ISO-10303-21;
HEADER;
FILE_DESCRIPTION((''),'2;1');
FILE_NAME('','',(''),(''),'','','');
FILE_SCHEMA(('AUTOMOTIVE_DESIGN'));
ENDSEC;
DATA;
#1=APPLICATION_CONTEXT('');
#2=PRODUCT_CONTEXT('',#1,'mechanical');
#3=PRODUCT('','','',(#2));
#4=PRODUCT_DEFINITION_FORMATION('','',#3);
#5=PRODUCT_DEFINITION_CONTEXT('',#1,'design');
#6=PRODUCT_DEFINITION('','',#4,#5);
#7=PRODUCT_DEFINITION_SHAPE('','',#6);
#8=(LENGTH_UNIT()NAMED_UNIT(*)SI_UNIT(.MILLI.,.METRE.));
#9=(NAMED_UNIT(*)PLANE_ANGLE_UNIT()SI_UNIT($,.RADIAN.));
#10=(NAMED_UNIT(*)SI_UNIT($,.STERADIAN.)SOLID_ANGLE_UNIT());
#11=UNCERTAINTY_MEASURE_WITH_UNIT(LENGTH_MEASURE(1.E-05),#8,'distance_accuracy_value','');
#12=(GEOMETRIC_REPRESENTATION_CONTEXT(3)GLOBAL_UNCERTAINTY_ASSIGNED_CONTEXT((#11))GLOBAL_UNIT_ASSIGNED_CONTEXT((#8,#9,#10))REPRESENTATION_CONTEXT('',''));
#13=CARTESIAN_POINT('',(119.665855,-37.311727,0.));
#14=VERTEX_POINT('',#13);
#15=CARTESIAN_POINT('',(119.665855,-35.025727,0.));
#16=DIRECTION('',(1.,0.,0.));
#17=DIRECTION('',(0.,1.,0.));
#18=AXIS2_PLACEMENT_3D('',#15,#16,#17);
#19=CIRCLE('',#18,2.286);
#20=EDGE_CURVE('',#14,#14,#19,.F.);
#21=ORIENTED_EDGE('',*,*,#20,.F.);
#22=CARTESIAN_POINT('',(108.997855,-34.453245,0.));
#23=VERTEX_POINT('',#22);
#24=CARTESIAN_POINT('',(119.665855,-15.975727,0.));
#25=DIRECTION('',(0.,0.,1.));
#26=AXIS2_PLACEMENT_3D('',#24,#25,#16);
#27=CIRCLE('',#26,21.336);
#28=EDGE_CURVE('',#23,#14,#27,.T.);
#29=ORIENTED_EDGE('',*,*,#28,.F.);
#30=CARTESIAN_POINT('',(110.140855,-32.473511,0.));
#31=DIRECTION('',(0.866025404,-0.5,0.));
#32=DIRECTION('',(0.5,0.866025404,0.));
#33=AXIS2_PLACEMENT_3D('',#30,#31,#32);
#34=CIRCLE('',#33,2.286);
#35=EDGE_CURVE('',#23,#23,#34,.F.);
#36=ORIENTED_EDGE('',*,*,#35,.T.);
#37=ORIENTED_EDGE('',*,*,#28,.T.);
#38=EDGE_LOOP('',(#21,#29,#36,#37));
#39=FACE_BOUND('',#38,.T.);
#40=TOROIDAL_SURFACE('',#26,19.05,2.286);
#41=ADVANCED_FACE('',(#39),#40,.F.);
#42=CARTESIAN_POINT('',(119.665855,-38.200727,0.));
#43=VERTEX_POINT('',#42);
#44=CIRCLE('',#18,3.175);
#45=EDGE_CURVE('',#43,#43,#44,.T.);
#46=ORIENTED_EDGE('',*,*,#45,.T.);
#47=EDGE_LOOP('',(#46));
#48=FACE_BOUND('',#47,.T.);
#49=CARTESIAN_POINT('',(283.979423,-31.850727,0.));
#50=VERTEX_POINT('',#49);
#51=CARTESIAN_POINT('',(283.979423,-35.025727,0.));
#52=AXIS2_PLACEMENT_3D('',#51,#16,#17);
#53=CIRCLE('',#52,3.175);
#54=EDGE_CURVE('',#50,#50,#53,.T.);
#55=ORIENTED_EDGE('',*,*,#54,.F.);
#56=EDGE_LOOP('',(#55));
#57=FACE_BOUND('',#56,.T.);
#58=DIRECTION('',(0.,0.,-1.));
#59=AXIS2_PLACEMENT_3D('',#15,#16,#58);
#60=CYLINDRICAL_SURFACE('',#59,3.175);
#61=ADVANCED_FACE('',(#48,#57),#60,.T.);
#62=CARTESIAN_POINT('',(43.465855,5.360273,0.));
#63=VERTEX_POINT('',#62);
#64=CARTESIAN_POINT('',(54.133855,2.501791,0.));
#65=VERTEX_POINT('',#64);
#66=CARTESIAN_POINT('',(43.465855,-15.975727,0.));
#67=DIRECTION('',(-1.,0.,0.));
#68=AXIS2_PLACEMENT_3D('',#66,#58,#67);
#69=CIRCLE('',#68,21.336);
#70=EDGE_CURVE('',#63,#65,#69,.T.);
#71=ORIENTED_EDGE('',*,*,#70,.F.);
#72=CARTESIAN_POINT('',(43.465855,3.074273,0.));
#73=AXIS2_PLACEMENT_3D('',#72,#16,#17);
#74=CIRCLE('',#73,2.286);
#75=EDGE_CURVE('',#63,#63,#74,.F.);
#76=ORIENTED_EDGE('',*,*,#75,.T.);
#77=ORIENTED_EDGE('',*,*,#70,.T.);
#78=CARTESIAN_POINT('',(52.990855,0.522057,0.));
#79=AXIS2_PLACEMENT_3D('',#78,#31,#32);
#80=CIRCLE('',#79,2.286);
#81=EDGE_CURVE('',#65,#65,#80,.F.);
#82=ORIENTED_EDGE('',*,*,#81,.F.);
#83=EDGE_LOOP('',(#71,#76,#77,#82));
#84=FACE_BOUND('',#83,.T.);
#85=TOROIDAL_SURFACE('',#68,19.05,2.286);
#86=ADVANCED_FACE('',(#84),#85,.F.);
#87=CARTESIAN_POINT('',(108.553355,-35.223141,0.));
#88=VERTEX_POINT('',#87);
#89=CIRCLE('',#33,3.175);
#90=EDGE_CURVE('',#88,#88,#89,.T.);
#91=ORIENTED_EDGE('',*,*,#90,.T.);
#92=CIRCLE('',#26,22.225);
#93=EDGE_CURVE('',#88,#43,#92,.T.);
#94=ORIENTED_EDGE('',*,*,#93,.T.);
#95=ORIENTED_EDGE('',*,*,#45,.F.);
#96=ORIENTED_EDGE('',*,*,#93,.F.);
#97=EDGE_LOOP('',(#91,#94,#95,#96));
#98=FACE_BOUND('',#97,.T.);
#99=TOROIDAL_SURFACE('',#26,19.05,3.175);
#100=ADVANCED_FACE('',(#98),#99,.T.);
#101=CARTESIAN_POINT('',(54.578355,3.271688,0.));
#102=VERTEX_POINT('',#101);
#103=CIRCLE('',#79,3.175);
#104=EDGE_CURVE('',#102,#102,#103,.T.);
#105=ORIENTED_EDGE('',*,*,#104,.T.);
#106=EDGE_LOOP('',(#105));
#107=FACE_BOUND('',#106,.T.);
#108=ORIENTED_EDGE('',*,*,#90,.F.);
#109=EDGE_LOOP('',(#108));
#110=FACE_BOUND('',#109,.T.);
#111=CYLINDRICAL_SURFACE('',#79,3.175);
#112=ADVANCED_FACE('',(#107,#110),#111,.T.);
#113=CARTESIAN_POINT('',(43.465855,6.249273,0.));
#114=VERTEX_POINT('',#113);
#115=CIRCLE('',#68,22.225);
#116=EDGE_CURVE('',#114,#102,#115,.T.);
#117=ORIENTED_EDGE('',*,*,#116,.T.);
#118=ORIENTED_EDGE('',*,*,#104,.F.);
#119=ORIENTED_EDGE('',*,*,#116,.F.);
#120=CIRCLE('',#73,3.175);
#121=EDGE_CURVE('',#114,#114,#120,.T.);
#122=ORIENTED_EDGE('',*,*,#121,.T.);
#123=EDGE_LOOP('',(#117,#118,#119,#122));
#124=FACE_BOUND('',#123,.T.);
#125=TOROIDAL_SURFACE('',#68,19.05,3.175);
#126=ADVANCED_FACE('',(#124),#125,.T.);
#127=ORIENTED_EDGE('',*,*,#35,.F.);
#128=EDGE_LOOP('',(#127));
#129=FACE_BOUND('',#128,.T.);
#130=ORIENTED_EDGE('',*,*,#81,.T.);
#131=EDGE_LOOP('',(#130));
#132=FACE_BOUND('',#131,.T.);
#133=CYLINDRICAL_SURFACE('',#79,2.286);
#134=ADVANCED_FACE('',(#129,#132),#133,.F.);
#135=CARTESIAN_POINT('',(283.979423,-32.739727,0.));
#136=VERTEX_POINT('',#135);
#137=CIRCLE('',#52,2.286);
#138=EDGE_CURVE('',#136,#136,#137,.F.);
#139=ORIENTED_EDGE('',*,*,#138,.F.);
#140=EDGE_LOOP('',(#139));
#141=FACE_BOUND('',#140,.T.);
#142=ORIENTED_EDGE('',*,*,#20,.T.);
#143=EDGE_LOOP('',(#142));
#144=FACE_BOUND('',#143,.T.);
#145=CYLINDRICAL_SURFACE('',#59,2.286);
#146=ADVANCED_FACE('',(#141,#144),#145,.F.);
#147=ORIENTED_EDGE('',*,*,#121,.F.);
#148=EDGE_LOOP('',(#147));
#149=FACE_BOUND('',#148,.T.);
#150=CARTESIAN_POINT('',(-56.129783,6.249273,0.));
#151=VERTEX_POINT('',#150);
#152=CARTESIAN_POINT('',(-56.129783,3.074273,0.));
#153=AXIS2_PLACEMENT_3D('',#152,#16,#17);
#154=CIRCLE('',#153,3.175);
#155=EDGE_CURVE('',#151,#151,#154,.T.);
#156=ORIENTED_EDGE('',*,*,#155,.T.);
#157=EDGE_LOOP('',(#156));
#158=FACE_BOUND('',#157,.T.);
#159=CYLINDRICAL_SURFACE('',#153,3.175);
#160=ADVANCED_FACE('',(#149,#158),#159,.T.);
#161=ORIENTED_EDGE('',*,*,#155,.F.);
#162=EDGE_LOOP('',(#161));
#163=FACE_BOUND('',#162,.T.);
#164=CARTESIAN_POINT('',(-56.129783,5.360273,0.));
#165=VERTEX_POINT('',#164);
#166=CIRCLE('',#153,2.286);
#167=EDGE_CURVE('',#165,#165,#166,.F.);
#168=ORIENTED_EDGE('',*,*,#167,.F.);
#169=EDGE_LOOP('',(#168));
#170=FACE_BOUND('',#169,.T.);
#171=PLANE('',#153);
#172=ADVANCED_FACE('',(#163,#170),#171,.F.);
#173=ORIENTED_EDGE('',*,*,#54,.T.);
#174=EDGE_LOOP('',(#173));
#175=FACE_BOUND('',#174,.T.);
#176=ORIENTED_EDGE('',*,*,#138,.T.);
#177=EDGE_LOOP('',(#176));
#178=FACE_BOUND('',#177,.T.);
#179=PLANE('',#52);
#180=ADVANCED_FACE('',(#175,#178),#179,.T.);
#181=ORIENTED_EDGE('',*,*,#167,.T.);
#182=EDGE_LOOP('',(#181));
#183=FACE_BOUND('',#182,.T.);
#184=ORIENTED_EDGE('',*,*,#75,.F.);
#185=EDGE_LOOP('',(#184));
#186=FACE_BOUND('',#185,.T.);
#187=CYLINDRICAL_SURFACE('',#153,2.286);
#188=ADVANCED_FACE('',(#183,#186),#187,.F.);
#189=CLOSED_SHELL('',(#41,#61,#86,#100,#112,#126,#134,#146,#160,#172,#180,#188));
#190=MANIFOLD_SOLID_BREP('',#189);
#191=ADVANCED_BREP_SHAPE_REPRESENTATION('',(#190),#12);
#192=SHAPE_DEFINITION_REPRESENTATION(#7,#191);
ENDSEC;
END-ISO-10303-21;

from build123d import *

# Parameters (mm, degrees)
SKETCH2_R   = 3.175
SKETCH2_R_2 = 2.286


with BuildPart() as part:
    # Sweep1: sweep along a path in Sketch1
    with BuildLine(Plane.XY) as sweep1_path:
        Line((-56.129783188, 3.074273142), (43.465854696, 3.074273142))
        ThreePointArc((43.465854696, 3.074273142), (48.396357506, 2.425160133), (52.990854696, 0.522057084))
        Line((52.990854696, 0.522057084), (110.140854696, -32.4735108))
        ThreePointArc((110.140854696, -32.4735108), (114.735351887, -34.376613849), (119.665854696, -35.025726858))
        Line((119.665854696, -35.025726858), (283.979422581, -35.025726858))
    # Sketch2 → Sweep1 (sweep)
    with BuildSketch(Plane(origin=(-56.129783188, 3.074273142, 0), x_dir=(0, 0, -1), z_dir=(1, 0, 0))):
        Circle(SKETCH2_R)
        Circle(SKETCH2_R_2, mode=Mode.SUBTRACT)
    sweep(path=sweep1_path.line)


solid = part.part
